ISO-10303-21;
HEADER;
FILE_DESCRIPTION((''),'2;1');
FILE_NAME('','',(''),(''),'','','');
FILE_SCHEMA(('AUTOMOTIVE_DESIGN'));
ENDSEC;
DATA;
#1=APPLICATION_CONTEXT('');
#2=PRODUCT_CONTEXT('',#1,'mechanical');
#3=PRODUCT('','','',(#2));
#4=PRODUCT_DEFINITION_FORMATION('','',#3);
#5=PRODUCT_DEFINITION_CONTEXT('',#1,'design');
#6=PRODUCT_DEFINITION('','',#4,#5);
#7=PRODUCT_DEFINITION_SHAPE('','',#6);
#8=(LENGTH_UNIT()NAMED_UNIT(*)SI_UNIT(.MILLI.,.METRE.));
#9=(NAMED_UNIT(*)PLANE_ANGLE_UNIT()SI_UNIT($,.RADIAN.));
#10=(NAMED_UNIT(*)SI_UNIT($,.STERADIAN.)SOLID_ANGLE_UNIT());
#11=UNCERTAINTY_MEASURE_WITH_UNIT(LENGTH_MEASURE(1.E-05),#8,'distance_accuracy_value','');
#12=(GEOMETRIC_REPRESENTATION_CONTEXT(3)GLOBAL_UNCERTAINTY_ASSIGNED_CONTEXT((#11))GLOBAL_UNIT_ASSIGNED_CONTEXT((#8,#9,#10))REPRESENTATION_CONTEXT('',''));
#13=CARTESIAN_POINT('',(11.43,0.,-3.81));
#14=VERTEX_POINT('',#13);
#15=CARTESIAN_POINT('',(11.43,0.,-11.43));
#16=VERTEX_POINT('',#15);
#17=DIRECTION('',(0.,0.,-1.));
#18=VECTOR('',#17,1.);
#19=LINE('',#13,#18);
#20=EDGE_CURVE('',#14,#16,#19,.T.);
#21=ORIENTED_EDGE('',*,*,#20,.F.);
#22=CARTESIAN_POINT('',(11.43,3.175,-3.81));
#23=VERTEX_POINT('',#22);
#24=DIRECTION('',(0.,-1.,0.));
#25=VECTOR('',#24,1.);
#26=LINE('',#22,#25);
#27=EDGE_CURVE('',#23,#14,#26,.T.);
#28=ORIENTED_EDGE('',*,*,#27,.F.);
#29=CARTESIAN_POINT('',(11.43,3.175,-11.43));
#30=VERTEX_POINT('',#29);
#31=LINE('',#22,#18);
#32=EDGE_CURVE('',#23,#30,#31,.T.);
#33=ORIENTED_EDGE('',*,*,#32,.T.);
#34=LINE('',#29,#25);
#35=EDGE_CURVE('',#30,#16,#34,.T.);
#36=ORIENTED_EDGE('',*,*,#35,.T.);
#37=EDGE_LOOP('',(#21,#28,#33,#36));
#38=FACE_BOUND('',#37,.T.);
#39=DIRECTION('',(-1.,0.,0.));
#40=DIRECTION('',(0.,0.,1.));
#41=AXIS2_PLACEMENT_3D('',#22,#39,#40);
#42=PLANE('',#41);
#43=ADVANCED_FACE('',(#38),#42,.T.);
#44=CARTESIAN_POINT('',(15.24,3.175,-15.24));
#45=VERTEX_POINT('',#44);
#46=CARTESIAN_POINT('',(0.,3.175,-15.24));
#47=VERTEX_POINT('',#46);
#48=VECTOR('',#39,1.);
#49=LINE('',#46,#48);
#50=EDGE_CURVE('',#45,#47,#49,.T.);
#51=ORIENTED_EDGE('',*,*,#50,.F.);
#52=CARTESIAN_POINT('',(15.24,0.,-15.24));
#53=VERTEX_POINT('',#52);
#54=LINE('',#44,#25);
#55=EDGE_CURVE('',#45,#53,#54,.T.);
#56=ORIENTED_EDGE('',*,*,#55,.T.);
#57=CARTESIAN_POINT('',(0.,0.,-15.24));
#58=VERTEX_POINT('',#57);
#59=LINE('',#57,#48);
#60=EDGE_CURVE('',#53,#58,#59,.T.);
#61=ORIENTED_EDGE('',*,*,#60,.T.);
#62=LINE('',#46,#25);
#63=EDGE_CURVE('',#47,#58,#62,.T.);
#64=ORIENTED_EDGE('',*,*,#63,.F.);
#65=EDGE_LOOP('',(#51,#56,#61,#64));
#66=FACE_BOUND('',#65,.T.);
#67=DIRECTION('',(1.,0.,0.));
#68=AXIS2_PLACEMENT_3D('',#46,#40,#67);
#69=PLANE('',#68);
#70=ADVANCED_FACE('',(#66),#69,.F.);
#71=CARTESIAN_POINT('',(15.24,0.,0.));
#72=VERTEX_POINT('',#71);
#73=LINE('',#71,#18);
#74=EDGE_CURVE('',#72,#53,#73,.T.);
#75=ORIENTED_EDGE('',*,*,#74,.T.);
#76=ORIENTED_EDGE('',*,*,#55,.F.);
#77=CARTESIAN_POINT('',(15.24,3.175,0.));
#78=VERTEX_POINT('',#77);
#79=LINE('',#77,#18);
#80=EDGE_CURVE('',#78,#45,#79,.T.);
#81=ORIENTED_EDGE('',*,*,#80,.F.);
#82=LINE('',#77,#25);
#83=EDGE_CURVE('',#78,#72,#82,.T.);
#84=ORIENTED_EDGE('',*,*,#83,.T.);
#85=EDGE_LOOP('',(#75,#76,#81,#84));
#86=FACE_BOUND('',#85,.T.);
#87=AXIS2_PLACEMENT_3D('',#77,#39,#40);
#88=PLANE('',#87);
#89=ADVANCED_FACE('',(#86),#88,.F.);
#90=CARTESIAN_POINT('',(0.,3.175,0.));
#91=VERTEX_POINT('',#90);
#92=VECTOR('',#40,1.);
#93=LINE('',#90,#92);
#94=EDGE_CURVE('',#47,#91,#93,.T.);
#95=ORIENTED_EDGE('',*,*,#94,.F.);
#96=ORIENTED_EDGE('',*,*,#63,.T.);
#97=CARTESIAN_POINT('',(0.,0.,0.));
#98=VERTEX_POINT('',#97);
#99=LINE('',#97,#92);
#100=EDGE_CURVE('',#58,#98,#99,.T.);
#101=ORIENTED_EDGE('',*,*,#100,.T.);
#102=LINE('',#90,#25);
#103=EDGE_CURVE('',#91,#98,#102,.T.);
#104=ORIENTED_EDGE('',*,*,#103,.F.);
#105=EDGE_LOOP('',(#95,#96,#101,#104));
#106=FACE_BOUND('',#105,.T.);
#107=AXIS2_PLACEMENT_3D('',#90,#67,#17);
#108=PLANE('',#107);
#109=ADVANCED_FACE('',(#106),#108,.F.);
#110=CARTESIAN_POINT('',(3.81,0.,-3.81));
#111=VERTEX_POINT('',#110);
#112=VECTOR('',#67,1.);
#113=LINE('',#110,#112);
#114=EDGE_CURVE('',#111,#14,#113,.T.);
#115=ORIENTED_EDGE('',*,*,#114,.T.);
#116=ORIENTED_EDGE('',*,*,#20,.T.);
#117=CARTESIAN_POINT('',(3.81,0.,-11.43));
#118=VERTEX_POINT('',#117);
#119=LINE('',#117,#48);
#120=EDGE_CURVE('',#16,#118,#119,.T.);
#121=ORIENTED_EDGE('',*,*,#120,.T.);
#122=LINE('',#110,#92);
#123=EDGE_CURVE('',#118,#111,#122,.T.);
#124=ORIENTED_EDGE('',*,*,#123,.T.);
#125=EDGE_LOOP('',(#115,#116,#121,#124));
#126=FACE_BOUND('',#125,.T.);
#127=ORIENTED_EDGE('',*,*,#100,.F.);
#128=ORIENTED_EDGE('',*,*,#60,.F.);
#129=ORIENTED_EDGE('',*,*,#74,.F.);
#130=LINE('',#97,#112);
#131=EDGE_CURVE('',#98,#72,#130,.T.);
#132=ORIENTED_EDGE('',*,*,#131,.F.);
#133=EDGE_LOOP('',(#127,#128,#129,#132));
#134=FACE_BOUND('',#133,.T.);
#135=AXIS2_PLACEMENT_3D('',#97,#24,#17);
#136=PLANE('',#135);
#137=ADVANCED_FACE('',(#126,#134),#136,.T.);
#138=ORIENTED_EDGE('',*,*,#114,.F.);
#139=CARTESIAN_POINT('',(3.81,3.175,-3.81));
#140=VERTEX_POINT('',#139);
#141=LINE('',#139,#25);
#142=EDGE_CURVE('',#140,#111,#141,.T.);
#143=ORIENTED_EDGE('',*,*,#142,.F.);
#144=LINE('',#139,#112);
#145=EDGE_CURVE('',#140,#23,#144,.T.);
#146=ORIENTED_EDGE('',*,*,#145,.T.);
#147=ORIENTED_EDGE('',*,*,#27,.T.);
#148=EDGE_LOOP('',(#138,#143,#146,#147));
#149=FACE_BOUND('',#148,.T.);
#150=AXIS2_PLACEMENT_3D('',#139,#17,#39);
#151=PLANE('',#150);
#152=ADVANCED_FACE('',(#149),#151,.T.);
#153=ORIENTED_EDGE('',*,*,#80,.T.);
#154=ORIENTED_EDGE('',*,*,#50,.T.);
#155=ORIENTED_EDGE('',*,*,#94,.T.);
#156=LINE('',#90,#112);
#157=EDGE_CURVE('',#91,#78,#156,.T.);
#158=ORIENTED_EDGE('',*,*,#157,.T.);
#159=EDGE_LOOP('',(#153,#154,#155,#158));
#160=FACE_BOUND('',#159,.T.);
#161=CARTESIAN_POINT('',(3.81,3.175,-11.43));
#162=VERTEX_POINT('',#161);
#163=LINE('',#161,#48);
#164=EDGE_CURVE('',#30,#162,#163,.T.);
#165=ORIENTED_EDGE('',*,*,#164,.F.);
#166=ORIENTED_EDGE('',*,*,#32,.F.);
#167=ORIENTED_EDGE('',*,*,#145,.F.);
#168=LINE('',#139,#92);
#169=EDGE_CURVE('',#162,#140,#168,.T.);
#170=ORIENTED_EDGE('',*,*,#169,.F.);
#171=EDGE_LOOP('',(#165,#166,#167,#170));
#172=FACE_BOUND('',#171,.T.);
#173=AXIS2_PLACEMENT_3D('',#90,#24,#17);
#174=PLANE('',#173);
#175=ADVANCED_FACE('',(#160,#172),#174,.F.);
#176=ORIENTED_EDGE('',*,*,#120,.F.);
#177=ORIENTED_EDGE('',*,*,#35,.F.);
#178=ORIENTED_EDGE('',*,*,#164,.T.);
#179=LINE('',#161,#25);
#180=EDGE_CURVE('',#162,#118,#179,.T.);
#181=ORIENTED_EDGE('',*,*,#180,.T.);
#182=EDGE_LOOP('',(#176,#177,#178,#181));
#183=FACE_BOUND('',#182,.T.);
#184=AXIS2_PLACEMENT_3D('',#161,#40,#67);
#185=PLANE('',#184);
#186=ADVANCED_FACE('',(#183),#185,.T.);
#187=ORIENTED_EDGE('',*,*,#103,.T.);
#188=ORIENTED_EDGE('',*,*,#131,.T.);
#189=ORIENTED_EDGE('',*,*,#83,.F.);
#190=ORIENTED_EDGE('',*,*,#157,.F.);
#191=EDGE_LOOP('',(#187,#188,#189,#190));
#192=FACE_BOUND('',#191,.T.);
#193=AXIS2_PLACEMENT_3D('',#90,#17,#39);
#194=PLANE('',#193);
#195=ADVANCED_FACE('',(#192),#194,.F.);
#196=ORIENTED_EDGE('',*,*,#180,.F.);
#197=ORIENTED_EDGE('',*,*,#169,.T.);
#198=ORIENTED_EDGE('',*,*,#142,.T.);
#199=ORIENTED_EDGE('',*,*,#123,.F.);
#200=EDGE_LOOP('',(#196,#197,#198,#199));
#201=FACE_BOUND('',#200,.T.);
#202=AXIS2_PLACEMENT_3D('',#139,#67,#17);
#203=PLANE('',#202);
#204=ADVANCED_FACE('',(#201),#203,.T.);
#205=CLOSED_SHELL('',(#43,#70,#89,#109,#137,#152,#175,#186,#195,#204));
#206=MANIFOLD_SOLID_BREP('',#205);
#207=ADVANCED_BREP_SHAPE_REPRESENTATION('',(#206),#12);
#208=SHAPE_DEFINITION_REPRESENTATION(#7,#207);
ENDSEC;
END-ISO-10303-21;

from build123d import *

# Parameters (mm, degrees)
SKETCH1_W           = 15.24
SKETCH1_H           = 15.24
SKETCH1_W_2         = 7.62
SKETCH1_H_2         = 7.62
BOSS_EXTRUDE1_DEPTH = 3.175


with BuildPart() as part:
    # Sketch1 → Boss-Extrude1 (new body)
    with BuildSketch(Plane(origin=(0, 0, 0), x_dir=(1, 0, 0), z_dir=(0, 1, 0))):
        with Locations((7.62, 7.62)):
            Rectangle(SKETCH1_W, SKETCH1_H)
        with Locations((7.62, 7.62)):
            Rectangle(SKETCH1_W_2, SKETCH1_H_2, mode=Mode.SUBTRACT)
    extrude(amount=BOSS_EXTRUDE1_DEPTH)


solid = part.part
